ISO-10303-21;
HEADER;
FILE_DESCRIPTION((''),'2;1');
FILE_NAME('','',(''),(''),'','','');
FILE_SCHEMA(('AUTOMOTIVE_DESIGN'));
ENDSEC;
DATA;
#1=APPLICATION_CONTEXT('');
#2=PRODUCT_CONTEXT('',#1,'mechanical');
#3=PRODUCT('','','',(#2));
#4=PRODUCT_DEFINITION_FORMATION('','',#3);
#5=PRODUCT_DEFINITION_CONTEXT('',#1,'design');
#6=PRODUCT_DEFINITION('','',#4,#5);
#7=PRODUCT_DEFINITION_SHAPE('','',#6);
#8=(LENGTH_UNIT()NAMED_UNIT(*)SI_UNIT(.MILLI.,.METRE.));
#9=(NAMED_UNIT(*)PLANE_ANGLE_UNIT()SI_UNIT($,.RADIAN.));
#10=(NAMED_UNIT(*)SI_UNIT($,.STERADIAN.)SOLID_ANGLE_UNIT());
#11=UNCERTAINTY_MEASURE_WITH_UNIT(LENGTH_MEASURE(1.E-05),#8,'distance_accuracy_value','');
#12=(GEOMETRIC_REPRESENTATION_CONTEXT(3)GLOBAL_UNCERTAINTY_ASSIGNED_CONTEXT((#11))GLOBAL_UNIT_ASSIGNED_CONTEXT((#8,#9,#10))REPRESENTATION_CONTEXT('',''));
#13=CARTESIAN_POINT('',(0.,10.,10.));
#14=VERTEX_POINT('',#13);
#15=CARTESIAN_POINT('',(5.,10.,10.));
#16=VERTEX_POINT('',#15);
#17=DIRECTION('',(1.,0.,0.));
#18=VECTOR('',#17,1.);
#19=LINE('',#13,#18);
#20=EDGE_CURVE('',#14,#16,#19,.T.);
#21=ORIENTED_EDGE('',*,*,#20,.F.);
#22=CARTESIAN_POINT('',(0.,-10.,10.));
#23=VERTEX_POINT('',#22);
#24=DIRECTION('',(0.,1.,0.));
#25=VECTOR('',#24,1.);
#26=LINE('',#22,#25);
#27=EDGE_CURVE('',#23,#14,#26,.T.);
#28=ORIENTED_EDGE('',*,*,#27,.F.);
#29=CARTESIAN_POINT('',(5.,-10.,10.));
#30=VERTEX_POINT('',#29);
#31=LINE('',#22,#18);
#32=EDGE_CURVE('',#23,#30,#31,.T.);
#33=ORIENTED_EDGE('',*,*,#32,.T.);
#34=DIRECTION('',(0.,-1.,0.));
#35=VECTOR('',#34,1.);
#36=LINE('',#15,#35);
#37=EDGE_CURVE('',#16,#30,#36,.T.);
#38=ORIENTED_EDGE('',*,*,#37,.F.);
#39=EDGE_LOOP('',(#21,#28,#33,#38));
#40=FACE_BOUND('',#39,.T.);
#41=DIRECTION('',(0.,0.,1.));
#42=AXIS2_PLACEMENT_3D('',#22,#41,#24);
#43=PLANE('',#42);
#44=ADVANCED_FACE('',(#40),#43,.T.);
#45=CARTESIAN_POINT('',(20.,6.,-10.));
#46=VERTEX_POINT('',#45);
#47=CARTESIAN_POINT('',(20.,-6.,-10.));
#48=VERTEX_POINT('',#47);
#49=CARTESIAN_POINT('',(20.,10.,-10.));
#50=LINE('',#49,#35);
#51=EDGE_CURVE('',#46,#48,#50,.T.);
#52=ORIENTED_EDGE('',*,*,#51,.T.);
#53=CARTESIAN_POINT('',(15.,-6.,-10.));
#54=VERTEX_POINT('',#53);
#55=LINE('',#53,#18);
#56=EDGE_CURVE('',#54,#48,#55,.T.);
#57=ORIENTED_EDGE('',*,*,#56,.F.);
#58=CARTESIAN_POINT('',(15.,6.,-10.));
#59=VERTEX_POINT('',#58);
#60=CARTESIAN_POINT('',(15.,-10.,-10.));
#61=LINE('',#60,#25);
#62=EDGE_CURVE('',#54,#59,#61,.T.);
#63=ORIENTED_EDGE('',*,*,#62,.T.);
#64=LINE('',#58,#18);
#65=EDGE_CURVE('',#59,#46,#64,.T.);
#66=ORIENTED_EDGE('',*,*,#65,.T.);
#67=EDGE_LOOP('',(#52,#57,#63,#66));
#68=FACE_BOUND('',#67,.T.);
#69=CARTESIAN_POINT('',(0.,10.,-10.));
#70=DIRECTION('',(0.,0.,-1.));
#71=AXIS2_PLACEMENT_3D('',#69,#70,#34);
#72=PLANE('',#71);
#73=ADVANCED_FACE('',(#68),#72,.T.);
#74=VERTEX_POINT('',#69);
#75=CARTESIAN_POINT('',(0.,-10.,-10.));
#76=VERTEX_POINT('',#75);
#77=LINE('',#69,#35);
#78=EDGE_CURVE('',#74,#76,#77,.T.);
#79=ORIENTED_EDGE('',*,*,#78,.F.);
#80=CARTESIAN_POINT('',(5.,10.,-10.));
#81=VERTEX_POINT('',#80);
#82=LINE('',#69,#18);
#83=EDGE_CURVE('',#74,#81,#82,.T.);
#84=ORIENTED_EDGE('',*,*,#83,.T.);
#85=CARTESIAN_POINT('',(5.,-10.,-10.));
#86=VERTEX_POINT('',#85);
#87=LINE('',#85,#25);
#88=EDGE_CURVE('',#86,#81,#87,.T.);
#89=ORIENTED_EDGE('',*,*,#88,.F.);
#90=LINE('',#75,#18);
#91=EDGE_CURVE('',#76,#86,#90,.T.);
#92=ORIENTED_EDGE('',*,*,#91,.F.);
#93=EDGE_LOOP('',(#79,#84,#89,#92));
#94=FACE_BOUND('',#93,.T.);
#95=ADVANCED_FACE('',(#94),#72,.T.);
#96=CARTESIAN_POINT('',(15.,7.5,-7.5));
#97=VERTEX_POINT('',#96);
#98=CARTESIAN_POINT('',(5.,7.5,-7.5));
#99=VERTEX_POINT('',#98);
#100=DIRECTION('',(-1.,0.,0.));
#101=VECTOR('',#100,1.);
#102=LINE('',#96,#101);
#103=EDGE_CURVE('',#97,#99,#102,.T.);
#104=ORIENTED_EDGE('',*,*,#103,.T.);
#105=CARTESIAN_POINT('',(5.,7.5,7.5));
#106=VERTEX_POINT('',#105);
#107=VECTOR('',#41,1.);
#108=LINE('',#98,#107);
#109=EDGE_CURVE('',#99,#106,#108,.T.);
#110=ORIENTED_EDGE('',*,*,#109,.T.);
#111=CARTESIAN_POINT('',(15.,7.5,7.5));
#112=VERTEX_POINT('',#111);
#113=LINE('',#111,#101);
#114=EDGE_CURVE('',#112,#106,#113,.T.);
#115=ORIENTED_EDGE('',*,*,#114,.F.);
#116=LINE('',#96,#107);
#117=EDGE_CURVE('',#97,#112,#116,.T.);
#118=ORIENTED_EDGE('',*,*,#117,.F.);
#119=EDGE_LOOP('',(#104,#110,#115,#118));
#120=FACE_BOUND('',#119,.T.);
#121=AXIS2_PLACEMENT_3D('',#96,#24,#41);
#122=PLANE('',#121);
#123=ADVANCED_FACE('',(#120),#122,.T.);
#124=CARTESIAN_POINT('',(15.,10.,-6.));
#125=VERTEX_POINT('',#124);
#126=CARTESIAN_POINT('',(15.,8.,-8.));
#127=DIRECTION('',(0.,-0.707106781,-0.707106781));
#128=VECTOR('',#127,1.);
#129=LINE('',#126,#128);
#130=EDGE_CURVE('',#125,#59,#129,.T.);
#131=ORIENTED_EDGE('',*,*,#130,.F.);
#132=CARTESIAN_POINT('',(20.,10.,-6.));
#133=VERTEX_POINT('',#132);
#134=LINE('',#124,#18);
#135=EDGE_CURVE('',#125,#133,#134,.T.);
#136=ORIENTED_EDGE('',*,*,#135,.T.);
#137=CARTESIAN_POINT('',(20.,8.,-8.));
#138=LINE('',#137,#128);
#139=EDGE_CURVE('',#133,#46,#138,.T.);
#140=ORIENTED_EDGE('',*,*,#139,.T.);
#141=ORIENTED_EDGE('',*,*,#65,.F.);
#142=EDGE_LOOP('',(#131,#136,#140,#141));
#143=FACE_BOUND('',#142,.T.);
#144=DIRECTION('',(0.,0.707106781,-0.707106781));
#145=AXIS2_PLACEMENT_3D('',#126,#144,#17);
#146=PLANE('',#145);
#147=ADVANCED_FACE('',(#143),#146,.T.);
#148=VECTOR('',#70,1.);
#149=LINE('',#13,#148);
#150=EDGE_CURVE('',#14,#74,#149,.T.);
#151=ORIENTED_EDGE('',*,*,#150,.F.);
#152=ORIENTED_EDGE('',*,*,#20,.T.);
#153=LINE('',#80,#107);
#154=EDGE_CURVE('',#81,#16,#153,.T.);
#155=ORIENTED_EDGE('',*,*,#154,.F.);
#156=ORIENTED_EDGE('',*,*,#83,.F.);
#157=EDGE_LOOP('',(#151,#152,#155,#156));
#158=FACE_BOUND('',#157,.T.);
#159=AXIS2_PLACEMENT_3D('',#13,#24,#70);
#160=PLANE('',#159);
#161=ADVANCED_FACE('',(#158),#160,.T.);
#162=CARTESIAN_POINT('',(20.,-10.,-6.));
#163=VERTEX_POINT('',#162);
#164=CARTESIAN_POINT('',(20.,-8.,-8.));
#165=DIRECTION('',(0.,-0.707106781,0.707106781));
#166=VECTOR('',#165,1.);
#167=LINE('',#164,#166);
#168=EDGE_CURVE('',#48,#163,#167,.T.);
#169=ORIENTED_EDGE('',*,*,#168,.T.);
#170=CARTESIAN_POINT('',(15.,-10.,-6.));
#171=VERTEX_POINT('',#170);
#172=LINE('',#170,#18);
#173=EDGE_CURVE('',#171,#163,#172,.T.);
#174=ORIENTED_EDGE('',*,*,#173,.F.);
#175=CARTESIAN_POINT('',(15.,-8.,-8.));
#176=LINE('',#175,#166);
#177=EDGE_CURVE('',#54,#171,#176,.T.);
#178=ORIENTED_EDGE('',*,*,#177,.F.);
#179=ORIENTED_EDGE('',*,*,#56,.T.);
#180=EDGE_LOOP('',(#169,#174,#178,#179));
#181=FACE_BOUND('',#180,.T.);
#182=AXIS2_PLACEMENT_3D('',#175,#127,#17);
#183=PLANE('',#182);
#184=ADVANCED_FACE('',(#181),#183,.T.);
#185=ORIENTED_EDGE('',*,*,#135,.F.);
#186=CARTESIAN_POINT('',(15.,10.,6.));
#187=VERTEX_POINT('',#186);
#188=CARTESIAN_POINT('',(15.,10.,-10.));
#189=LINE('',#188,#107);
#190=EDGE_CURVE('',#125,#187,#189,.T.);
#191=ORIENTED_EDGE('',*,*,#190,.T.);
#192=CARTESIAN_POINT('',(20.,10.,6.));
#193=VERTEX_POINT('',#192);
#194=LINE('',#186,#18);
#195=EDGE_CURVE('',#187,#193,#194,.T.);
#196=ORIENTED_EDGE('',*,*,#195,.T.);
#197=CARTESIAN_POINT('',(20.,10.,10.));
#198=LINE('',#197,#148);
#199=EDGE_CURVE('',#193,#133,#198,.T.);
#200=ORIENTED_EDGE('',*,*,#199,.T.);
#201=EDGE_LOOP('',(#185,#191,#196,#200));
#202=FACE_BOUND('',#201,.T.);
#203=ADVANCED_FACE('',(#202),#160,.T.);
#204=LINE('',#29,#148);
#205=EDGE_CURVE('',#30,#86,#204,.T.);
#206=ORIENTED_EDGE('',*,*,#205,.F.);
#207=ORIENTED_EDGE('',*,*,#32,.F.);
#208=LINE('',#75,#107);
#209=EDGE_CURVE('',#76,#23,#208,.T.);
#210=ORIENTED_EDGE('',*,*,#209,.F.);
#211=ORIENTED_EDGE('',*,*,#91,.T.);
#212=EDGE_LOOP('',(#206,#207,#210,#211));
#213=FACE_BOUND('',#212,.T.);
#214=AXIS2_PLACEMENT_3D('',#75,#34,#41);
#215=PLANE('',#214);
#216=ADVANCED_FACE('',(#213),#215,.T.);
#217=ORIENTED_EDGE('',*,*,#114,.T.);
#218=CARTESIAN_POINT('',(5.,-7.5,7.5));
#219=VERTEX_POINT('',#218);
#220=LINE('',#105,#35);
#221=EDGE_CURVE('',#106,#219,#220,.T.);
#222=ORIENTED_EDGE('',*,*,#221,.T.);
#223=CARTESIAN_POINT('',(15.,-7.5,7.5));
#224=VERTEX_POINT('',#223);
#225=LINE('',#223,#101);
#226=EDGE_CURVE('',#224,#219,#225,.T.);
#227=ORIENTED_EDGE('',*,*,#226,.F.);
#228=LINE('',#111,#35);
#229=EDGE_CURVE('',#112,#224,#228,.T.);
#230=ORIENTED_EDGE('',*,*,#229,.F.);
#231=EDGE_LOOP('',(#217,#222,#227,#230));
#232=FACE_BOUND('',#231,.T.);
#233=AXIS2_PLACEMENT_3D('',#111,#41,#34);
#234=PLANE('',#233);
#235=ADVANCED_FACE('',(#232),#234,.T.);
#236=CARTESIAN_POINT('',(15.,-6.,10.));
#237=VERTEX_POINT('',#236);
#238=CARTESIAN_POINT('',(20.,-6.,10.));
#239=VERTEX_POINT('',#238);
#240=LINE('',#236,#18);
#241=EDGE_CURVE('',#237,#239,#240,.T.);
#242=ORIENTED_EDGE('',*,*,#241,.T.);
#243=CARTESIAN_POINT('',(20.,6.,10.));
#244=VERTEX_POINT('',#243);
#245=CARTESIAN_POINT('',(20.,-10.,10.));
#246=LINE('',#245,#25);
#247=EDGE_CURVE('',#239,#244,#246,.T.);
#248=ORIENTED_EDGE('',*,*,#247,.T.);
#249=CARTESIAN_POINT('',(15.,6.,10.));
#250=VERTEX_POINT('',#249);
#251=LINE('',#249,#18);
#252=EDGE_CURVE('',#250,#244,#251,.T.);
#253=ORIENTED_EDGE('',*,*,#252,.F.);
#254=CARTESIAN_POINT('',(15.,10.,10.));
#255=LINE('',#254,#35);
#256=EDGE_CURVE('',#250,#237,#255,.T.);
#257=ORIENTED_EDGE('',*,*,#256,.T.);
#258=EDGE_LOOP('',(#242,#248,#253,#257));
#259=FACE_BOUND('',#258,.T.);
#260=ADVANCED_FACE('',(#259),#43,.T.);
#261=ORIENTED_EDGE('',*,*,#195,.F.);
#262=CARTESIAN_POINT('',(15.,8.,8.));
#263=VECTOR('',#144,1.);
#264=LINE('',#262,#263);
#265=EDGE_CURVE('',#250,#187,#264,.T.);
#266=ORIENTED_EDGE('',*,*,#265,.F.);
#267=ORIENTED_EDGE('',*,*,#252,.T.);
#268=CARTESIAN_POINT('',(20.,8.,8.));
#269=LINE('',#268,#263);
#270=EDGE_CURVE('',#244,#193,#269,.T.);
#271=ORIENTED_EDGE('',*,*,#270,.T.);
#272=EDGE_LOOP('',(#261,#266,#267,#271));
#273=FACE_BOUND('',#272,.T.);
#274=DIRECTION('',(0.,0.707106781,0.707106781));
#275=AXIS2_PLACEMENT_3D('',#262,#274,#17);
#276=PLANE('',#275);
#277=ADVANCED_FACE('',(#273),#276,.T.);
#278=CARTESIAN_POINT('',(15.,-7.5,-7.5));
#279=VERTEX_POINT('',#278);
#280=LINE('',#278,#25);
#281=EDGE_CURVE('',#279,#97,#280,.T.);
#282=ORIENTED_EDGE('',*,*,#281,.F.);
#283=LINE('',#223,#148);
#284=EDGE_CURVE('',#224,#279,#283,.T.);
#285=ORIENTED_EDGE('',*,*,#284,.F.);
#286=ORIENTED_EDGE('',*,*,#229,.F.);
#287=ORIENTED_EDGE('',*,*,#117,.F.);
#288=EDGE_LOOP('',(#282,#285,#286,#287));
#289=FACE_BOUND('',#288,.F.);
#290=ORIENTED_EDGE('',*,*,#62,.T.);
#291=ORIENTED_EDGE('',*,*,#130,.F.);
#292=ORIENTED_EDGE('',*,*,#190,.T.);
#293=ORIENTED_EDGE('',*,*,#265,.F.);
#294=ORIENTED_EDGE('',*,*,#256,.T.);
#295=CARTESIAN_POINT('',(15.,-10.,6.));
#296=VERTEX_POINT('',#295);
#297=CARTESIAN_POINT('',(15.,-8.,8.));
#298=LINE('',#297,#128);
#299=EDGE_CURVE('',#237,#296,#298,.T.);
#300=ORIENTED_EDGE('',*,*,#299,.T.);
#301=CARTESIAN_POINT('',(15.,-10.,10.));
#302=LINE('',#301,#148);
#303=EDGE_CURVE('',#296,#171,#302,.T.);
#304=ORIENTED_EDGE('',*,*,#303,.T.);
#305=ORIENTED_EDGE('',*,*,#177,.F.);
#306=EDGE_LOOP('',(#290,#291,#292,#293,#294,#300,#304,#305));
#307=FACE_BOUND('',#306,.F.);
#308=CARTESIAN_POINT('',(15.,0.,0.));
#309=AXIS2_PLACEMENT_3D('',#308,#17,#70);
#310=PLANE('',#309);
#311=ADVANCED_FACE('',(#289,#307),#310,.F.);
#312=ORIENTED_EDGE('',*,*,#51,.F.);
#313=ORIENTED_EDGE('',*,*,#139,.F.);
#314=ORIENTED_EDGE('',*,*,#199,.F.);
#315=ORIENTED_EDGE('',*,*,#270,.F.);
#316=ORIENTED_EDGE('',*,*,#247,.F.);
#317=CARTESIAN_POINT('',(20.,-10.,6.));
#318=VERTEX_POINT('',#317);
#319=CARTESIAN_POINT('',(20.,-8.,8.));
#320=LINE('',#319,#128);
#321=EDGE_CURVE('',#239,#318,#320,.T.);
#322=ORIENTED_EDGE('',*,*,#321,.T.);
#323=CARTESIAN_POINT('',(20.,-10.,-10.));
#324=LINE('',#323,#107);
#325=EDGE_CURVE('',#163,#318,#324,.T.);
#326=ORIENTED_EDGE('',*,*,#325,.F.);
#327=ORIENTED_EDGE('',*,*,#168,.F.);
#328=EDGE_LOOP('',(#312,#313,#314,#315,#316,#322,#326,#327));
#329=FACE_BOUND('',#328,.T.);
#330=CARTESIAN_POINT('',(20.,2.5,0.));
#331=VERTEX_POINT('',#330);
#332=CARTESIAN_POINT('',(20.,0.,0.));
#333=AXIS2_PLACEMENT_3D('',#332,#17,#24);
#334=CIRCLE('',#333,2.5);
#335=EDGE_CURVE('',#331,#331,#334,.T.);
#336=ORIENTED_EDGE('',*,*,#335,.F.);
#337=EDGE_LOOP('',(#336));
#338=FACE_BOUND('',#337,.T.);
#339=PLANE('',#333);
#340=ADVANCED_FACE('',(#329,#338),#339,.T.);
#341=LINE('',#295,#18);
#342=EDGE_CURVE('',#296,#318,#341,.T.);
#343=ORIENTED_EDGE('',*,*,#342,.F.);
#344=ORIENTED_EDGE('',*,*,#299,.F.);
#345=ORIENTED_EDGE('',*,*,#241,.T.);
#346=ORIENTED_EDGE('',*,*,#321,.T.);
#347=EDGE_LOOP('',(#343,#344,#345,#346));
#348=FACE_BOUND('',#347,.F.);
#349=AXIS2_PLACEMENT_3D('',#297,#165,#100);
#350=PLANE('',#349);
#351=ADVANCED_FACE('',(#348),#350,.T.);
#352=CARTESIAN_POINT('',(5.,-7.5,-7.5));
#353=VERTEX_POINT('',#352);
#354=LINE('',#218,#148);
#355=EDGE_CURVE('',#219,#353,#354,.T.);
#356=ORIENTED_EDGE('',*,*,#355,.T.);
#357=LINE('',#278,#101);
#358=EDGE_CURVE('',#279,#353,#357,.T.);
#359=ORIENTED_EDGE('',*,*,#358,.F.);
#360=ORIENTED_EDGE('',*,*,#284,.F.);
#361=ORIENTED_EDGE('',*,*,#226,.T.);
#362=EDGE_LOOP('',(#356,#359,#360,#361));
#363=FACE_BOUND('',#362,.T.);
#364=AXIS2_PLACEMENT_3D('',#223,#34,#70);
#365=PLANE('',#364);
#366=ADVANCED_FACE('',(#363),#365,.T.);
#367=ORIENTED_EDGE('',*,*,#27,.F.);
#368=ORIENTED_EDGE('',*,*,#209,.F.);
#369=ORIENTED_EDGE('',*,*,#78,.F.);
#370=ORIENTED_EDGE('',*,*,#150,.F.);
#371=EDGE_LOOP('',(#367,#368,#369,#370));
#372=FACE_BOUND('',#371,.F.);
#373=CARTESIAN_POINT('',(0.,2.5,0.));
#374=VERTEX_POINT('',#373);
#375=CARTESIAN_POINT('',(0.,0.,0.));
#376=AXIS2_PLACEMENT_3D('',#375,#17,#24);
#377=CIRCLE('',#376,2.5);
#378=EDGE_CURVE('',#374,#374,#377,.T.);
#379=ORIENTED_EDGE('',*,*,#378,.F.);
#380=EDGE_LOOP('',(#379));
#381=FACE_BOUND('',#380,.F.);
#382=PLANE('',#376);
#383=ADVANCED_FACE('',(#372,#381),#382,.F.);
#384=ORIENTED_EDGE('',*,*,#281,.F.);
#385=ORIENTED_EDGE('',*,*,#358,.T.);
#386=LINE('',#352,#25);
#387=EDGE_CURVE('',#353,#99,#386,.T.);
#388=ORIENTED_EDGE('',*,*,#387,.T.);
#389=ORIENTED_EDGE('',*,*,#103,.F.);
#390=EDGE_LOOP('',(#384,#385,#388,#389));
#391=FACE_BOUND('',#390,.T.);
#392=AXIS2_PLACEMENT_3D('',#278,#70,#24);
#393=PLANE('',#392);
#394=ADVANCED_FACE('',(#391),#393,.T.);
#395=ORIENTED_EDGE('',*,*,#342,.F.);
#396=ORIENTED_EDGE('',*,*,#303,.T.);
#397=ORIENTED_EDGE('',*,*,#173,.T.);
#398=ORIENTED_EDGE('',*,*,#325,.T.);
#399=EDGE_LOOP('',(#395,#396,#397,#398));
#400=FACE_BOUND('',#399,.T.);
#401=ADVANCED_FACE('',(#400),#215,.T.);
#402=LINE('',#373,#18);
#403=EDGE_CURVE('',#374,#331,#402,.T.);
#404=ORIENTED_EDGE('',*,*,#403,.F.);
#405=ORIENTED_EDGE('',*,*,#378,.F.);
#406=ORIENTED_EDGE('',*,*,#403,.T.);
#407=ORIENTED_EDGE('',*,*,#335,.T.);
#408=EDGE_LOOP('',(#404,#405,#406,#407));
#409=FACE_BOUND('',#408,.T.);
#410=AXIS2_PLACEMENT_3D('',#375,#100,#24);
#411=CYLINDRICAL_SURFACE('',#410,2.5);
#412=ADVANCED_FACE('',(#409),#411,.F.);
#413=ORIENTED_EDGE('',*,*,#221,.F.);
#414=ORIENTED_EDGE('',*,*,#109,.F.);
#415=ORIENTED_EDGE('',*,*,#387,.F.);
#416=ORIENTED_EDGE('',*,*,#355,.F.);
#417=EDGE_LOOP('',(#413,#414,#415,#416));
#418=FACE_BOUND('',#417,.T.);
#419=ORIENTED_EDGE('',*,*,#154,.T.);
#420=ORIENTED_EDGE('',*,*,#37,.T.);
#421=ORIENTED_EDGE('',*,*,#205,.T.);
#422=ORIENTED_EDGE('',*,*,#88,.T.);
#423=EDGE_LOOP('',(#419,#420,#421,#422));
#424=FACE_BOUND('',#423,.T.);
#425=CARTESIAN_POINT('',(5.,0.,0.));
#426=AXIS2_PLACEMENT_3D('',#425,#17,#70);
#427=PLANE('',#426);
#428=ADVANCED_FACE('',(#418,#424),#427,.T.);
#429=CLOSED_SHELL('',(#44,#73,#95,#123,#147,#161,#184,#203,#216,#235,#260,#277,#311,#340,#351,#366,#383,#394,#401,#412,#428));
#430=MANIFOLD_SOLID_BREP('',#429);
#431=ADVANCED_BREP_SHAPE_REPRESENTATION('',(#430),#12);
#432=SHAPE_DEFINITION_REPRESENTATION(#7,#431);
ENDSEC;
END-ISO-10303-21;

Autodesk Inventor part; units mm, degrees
ref_plane "YZ Plane" through (0, 0, 0) normal (1, 0, 0) x (0, 1, 0)
ref_plane "XZ Plane" through (0, 0, 0) normal (0, 1, 0) x (-1, 0, 0)
sketch "Sketch1" plane through (0, 0, 0) normal (1, 0, 0) x (0, 1, 0)
  circle A0 centre (0, 0) radius 2.5
  line L0 (-10, 10) -> (10, 10)
  line L1 (10, 10) -> (10, -10)
  line L2 (10, -10) -> (-10, -10)
  line L3 (-10, -10) -> (-10, 10)
  line L4 (-10, 10) -> (10, -10) construction
  line L5 (10, 10) -> (-10, -10) construction
  dimension "d0" = 5
  dimension "d1" = 20
  dimension "d2" = 20
extrude "Extrusion1" add sketch "Sketch1" along normal blind 20
ref_plane "Work Plane1" through (15, 0, 0) normal (1, 0, 0) x (0, 0, -1)
sketch "Sketch2" plane through (15, 0, 0) normal (1, 0, 0) x (0, 0, -1)
  line L0 (10, -10) -> (10, 10) projected
  line L1 (-10, -10) -> (10, -10)
  line L2 (10, -10) -> (10, 10)
  line L3 (10, 10) -> (-10, 10)
  line L4 (-10, 10) -> (-10, -10)
  line L5 (-10, -10) -> (10, 10) construction
  line L6 (10, -10) -> (-10, 10) construction
  line L7 (-7.5, -7.5) -> (7.5, -7.5)
  line L8 (7.5, -7.5) -> (7.5, 7.5)
  line L9 (7.5, 7.5) -> (-7.5, 7.5)
  line L10 (-7.5, 7.5) -> (-7.5, -7.5)
  line L11 (-7.5, -7.5) -> (7.5, 7.5) construction
  line L12 (7.5, -7.5) -> (-7.5, 7.5) construction
  point P0 (0, 0)
  dimension "d6" = 15
  dimension "d7" = 15
extrude "Extrusion2" cut sketch "Sketch2" against normal blind 10
chamfer "Chamfer1" distance 4 angle 45 4 edges at (17.5, 10, 10) (17.5, 10, -10) (17.5, -10, -10) (17.5, -10, 10)
properties part number "Servo Motor"
